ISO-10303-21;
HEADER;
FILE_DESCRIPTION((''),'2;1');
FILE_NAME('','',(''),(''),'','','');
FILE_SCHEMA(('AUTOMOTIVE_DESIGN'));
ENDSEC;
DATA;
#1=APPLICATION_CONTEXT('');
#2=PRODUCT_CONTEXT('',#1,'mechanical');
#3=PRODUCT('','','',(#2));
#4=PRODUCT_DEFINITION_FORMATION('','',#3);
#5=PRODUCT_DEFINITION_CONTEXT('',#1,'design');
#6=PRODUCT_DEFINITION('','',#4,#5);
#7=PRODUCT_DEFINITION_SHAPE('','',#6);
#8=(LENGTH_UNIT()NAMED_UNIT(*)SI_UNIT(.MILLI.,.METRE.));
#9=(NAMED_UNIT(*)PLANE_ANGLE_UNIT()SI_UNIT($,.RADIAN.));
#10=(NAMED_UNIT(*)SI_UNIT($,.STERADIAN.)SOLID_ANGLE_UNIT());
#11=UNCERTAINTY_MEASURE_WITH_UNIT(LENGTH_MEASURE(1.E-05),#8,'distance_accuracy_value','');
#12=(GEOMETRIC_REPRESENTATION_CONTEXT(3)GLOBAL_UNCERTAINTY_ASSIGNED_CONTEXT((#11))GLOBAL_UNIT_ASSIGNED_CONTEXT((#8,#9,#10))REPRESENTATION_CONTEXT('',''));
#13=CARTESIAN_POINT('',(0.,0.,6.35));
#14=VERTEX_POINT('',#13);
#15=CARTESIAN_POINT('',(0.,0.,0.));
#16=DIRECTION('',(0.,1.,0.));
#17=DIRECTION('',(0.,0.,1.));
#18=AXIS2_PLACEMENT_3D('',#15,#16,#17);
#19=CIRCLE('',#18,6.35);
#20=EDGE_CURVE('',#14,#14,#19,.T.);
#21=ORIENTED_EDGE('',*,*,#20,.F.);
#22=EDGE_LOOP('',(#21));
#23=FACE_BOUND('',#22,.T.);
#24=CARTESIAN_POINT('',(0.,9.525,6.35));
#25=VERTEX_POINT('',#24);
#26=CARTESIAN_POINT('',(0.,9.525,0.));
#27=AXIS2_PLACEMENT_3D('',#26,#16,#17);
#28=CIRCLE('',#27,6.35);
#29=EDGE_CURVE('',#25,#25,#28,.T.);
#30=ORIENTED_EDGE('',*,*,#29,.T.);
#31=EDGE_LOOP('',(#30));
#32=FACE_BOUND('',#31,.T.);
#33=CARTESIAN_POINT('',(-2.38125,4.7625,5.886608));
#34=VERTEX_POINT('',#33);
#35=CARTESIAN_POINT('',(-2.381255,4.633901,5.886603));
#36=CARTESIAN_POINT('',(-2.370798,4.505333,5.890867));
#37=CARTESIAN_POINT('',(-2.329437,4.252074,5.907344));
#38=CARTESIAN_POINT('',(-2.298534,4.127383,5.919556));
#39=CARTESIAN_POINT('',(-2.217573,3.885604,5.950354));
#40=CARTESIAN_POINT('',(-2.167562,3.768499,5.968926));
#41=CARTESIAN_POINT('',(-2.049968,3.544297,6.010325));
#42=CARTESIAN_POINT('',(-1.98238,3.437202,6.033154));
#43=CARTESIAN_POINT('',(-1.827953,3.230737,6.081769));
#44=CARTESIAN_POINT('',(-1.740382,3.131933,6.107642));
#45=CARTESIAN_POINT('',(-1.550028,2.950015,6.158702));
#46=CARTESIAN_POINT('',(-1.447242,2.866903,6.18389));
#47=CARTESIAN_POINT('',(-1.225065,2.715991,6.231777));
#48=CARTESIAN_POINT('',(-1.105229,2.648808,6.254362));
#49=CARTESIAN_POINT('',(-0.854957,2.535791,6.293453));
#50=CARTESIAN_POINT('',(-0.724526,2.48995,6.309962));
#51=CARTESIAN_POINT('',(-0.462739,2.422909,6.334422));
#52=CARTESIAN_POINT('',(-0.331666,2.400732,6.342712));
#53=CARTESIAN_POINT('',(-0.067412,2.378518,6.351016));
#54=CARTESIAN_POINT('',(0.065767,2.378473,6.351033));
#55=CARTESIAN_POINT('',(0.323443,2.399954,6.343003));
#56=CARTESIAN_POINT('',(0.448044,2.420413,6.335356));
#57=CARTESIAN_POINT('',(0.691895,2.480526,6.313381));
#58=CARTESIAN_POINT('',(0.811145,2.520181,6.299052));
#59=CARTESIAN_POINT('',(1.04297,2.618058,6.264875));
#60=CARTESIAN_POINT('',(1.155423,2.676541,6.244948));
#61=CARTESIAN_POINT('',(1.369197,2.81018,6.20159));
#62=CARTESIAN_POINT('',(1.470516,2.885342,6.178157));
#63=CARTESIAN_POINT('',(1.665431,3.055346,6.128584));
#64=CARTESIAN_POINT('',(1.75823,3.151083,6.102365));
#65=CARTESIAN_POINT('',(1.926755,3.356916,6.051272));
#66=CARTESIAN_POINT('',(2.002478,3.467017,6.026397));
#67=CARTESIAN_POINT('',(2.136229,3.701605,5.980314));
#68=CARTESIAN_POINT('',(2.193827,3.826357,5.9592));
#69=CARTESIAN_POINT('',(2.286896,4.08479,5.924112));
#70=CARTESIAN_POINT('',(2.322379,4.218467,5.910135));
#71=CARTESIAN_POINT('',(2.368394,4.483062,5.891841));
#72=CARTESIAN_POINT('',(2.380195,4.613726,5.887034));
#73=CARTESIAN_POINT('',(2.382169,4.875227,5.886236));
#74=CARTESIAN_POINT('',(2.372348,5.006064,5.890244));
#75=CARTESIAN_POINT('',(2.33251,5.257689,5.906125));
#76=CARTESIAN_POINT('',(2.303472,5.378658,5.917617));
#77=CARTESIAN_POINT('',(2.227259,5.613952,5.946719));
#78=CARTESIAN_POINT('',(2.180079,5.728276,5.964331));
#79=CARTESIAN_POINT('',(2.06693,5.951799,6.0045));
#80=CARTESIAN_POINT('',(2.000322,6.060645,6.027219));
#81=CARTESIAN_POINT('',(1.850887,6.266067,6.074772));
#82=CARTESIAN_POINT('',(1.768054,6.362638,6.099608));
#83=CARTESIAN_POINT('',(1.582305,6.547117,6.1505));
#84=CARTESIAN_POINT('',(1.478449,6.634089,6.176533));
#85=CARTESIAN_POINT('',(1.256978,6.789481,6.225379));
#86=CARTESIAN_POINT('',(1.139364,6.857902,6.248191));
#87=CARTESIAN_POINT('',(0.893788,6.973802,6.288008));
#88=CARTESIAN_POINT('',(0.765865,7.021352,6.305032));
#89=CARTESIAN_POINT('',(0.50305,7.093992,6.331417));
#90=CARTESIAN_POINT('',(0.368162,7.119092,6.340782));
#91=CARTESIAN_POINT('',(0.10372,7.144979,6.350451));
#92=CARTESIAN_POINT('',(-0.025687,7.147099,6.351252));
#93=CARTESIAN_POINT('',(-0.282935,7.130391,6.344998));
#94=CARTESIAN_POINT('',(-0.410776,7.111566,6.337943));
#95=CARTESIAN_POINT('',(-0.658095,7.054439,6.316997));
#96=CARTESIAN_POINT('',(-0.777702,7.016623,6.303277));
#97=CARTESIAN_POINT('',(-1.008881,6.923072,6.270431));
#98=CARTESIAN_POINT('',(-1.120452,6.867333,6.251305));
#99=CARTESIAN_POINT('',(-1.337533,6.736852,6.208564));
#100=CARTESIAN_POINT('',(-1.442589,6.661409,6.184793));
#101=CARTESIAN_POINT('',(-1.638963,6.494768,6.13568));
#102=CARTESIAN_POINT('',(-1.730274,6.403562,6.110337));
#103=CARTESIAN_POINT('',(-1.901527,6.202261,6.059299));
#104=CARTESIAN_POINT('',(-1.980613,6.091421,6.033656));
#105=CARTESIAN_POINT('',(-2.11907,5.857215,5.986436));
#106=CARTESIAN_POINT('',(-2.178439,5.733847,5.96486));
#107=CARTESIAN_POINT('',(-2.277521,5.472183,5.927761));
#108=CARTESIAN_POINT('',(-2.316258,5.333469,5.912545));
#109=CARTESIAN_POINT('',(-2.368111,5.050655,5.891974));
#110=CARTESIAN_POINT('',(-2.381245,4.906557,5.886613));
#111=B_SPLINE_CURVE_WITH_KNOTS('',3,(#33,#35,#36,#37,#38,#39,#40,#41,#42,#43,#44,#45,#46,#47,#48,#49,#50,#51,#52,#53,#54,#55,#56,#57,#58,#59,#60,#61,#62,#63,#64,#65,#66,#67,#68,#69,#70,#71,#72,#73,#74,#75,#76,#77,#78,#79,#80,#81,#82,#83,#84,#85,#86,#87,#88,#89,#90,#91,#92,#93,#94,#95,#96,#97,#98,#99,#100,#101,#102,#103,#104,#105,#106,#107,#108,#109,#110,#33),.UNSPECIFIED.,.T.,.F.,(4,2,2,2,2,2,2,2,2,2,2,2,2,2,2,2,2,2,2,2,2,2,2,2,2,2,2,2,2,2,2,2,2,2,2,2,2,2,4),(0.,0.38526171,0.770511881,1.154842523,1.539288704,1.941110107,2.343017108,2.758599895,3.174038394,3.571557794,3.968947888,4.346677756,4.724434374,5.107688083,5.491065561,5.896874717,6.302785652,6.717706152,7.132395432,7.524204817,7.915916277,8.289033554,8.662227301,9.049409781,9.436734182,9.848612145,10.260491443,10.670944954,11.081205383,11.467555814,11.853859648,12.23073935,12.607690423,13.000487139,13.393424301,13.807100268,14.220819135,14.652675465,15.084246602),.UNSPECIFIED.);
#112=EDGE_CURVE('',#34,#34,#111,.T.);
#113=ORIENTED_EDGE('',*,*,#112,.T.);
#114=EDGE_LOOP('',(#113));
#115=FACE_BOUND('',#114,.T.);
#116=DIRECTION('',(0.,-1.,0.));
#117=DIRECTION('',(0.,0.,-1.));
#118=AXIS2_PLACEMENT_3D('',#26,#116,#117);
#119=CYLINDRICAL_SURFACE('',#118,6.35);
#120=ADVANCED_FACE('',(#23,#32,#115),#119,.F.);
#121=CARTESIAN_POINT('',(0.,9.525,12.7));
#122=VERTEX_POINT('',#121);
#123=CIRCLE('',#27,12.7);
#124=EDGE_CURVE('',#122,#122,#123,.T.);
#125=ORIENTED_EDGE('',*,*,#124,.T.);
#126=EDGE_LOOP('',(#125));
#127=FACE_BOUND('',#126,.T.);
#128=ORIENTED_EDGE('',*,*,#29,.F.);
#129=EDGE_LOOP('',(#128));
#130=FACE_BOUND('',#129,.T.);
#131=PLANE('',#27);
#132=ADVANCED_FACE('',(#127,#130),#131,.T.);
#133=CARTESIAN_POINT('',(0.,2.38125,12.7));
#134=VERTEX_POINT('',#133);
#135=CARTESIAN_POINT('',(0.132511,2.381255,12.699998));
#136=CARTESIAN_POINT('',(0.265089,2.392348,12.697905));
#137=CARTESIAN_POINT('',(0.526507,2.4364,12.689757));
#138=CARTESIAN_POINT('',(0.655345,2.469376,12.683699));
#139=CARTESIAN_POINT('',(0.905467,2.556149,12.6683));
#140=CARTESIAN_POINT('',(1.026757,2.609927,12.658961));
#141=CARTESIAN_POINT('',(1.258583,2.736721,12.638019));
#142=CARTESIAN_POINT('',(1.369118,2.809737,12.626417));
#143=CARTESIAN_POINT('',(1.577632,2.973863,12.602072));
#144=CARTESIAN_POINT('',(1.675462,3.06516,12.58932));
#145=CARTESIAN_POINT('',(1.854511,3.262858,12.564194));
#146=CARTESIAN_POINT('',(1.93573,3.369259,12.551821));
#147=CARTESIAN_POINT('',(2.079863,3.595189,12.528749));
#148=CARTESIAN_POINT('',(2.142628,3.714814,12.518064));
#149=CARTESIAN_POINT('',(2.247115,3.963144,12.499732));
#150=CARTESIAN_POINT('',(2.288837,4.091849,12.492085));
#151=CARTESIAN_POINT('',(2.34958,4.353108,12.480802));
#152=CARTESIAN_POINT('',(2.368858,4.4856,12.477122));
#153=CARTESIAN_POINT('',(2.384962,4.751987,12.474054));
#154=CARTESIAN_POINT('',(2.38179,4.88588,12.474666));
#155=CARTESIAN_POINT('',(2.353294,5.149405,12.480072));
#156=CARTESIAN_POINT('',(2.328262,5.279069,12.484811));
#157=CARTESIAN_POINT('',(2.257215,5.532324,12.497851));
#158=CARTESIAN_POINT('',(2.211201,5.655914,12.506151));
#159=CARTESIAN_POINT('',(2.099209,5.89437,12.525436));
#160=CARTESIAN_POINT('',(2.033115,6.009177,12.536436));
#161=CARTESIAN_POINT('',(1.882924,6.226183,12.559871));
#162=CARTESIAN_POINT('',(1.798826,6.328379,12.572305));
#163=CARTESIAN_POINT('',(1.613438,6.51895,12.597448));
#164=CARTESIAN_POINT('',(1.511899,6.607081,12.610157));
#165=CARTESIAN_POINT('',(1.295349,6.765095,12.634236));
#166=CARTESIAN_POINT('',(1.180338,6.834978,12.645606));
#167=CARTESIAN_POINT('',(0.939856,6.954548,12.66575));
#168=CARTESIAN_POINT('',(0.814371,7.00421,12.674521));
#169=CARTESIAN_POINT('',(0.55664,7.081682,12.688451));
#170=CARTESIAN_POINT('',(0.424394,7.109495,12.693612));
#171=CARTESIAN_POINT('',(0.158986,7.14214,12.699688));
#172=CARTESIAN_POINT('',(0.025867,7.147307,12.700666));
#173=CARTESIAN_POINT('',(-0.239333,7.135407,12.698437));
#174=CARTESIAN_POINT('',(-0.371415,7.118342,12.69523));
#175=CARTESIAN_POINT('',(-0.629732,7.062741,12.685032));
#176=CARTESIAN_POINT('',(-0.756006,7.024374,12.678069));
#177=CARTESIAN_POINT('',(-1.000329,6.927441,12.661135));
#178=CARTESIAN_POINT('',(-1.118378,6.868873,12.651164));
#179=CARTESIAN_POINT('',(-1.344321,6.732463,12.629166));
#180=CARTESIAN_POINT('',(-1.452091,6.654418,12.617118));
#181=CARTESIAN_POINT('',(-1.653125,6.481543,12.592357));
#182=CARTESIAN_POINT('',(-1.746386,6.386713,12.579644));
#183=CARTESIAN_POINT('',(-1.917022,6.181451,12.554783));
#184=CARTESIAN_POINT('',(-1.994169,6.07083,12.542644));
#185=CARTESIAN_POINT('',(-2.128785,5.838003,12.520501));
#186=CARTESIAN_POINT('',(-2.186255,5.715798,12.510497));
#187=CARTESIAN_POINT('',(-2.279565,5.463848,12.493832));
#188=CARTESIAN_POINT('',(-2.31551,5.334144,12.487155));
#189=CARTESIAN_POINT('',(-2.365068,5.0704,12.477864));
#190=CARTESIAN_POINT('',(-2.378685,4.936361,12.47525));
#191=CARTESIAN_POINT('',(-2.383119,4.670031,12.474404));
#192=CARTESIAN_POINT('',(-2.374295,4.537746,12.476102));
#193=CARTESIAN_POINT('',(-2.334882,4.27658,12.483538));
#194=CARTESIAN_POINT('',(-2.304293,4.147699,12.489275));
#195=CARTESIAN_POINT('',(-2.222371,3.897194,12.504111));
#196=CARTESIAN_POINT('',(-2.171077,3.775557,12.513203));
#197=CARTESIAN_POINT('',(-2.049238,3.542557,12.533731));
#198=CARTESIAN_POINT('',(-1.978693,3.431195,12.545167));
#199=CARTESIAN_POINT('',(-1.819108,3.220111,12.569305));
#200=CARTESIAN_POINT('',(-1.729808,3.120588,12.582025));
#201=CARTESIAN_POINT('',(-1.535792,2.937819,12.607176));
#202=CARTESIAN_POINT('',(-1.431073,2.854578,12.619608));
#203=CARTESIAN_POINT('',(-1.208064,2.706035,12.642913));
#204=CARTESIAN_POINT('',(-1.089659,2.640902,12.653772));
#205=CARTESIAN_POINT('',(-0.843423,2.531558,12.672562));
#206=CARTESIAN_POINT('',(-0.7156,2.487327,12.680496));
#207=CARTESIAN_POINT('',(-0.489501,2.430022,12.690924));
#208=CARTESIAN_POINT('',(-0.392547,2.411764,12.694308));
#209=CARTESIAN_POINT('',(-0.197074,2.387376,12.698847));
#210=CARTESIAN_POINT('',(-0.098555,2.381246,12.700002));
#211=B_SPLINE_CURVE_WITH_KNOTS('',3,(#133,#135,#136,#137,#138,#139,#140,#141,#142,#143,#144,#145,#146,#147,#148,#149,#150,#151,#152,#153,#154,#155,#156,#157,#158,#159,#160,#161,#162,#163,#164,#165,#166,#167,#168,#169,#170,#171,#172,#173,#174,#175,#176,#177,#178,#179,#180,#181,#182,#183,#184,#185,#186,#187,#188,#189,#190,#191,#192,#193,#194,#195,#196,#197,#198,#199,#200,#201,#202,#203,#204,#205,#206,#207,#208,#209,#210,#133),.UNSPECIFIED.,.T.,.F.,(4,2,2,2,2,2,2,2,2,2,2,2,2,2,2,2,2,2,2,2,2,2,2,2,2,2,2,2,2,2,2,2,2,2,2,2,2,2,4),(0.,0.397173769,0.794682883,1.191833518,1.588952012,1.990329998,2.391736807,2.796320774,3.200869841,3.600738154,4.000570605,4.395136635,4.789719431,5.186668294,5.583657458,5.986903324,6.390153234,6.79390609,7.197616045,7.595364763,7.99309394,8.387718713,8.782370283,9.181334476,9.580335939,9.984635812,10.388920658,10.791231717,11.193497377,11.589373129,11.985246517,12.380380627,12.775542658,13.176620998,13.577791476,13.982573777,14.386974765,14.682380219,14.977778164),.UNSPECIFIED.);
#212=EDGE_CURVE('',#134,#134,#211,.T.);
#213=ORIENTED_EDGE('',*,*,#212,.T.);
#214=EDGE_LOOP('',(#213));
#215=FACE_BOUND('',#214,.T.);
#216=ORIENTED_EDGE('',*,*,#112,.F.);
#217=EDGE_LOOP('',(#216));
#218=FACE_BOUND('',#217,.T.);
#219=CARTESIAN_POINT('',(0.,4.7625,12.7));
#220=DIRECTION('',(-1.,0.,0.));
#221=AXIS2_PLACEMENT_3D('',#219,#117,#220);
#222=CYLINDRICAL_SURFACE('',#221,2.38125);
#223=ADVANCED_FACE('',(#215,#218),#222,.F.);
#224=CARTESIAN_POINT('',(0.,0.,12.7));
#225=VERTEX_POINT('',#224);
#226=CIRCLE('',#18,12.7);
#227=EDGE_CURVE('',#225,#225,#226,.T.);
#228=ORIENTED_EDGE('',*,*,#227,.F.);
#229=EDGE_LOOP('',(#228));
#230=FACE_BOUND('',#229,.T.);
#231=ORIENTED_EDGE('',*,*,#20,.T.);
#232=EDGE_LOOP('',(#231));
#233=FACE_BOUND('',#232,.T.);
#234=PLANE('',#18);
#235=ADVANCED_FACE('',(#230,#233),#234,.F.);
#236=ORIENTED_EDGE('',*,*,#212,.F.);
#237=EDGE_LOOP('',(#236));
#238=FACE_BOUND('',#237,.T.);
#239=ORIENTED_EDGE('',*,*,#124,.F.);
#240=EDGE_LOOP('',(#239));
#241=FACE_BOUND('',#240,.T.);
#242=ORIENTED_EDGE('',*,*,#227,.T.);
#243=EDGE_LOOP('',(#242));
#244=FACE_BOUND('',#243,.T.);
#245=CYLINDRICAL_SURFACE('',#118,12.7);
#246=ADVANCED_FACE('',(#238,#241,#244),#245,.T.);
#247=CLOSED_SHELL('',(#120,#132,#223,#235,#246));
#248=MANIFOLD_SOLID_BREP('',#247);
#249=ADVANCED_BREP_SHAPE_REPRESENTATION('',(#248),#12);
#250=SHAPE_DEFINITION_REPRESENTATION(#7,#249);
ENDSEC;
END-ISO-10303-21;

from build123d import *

# Parameters (mm, degrees)
SKETCH1_R           = 12.7
SKETCH1_R_2         = 6.35
BOSS_EXTRUDE1_DEPTH = 9.525
SKETCH2_R           = 2.38125
CUT_EXTRUDE1_DEPTH  = 21.329919454


with BuildPart() as part:
    # Sketch1 → Boss-Extrude1 (new body)
    with BuildSketch(Plane(origin=(0, 0, 0), x_dir=(1, 0, 0), z_dir=(0, 1, 0))):
        with Locations(Location((0, 0, 0), (0, 0, 90))):
            Circle(SKETCH1_R)
        with Locations(Location((0, 0, 0), (0, 0, 90))):
            Circle(SKETCH1_R_2, mode=Mode.SUBTRACT)
    extrude(amount=BOSS_EXTRUDE1_DEPTH)

    # Sketch2 → Cut-Extrude1 (cut, through all)
    with BuildSketch(Plane.XY):
        with Locations(Location((0, 4.7625, 0), (0, 0, 270.000000003))):
            Circle(SKETCH2_R)
    extrude(amount=CUT_EXTRUDE1_DEPTH, mode=Mode.SUBTRACT)


solid = part.part
